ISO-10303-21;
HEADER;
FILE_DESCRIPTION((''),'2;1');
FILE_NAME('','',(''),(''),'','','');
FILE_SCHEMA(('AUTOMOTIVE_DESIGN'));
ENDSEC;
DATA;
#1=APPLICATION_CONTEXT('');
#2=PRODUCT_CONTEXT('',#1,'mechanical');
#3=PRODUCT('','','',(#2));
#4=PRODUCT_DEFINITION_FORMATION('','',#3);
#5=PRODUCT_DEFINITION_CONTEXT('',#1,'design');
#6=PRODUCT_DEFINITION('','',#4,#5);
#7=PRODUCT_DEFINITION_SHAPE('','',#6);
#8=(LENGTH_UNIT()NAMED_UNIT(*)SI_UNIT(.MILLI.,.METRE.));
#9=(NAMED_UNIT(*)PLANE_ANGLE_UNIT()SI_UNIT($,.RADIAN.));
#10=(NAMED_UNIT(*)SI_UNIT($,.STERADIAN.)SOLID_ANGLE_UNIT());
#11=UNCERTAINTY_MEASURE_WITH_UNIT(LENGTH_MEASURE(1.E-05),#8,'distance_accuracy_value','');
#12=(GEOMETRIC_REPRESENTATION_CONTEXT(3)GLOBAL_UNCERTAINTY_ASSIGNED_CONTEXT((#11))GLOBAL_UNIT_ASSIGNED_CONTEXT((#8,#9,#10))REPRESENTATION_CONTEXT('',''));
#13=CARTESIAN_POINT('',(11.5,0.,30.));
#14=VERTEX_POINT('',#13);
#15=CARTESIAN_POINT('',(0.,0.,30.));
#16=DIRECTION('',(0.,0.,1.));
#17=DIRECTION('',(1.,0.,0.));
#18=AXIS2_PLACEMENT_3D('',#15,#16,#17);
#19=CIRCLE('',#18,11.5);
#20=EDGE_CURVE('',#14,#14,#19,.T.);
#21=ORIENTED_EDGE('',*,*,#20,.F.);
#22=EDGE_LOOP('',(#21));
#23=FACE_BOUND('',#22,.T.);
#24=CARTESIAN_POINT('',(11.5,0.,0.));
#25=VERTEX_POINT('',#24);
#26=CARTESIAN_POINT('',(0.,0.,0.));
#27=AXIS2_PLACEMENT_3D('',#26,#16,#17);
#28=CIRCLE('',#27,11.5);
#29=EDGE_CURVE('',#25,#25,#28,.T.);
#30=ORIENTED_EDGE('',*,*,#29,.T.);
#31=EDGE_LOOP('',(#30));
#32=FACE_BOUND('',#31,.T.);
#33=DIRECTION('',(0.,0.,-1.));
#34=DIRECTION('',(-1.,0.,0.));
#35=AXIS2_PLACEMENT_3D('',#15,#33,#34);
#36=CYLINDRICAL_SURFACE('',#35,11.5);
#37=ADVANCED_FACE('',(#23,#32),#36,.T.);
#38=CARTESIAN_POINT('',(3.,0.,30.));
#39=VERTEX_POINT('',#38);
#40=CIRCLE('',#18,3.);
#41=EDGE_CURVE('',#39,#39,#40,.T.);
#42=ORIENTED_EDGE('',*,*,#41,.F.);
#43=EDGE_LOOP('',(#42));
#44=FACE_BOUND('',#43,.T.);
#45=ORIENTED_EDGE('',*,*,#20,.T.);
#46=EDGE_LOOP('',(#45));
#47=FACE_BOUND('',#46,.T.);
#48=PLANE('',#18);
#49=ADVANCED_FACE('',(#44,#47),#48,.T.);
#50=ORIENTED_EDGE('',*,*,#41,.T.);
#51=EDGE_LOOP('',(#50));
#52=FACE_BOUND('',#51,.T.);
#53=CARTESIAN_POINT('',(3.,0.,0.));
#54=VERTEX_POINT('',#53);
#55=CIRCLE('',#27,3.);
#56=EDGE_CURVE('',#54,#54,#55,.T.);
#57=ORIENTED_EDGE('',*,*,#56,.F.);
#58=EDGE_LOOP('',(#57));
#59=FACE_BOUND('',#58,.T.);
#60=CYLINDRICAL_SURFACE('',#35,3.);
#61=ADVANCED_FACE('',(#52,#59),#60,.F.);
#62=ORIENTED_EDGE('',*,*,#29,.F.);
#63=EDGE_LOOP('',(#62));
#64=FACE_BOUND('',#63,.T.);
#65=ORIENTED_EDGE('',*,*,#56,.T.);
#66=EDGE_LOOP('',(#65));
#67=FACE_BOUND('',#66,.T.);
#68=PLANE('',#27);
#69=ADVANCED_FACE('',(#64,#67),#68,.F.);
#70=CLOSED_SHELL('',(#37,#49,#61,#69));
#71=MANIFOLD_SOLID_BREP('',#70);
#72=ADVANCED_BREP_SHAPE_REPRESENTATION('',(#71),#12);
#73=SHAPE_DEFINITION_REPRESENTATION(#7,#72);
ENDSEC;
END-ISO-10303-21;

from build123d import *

# Parameters (mm, degrees)
SCHIZZO1_R                   = 11.5
SCHIZZO1_R_2                 = 3
ESTRUSIONE_ESTRUSIONE1_DEPTH = 30


with BuildPart() as part:
    # Schizzo1 → Estrusione-Estrusione1 (new body)
    with BuildSketch(Plane.XY):
        Circle(SCHIZZO1_R)
        Circle(SCHIZZO1_R_2, mode=Mode.SUBTRACT)
    extrude(amount=ESTRUSIONE_ESTRUSIONE1_DEPTH)


solid = part.part
